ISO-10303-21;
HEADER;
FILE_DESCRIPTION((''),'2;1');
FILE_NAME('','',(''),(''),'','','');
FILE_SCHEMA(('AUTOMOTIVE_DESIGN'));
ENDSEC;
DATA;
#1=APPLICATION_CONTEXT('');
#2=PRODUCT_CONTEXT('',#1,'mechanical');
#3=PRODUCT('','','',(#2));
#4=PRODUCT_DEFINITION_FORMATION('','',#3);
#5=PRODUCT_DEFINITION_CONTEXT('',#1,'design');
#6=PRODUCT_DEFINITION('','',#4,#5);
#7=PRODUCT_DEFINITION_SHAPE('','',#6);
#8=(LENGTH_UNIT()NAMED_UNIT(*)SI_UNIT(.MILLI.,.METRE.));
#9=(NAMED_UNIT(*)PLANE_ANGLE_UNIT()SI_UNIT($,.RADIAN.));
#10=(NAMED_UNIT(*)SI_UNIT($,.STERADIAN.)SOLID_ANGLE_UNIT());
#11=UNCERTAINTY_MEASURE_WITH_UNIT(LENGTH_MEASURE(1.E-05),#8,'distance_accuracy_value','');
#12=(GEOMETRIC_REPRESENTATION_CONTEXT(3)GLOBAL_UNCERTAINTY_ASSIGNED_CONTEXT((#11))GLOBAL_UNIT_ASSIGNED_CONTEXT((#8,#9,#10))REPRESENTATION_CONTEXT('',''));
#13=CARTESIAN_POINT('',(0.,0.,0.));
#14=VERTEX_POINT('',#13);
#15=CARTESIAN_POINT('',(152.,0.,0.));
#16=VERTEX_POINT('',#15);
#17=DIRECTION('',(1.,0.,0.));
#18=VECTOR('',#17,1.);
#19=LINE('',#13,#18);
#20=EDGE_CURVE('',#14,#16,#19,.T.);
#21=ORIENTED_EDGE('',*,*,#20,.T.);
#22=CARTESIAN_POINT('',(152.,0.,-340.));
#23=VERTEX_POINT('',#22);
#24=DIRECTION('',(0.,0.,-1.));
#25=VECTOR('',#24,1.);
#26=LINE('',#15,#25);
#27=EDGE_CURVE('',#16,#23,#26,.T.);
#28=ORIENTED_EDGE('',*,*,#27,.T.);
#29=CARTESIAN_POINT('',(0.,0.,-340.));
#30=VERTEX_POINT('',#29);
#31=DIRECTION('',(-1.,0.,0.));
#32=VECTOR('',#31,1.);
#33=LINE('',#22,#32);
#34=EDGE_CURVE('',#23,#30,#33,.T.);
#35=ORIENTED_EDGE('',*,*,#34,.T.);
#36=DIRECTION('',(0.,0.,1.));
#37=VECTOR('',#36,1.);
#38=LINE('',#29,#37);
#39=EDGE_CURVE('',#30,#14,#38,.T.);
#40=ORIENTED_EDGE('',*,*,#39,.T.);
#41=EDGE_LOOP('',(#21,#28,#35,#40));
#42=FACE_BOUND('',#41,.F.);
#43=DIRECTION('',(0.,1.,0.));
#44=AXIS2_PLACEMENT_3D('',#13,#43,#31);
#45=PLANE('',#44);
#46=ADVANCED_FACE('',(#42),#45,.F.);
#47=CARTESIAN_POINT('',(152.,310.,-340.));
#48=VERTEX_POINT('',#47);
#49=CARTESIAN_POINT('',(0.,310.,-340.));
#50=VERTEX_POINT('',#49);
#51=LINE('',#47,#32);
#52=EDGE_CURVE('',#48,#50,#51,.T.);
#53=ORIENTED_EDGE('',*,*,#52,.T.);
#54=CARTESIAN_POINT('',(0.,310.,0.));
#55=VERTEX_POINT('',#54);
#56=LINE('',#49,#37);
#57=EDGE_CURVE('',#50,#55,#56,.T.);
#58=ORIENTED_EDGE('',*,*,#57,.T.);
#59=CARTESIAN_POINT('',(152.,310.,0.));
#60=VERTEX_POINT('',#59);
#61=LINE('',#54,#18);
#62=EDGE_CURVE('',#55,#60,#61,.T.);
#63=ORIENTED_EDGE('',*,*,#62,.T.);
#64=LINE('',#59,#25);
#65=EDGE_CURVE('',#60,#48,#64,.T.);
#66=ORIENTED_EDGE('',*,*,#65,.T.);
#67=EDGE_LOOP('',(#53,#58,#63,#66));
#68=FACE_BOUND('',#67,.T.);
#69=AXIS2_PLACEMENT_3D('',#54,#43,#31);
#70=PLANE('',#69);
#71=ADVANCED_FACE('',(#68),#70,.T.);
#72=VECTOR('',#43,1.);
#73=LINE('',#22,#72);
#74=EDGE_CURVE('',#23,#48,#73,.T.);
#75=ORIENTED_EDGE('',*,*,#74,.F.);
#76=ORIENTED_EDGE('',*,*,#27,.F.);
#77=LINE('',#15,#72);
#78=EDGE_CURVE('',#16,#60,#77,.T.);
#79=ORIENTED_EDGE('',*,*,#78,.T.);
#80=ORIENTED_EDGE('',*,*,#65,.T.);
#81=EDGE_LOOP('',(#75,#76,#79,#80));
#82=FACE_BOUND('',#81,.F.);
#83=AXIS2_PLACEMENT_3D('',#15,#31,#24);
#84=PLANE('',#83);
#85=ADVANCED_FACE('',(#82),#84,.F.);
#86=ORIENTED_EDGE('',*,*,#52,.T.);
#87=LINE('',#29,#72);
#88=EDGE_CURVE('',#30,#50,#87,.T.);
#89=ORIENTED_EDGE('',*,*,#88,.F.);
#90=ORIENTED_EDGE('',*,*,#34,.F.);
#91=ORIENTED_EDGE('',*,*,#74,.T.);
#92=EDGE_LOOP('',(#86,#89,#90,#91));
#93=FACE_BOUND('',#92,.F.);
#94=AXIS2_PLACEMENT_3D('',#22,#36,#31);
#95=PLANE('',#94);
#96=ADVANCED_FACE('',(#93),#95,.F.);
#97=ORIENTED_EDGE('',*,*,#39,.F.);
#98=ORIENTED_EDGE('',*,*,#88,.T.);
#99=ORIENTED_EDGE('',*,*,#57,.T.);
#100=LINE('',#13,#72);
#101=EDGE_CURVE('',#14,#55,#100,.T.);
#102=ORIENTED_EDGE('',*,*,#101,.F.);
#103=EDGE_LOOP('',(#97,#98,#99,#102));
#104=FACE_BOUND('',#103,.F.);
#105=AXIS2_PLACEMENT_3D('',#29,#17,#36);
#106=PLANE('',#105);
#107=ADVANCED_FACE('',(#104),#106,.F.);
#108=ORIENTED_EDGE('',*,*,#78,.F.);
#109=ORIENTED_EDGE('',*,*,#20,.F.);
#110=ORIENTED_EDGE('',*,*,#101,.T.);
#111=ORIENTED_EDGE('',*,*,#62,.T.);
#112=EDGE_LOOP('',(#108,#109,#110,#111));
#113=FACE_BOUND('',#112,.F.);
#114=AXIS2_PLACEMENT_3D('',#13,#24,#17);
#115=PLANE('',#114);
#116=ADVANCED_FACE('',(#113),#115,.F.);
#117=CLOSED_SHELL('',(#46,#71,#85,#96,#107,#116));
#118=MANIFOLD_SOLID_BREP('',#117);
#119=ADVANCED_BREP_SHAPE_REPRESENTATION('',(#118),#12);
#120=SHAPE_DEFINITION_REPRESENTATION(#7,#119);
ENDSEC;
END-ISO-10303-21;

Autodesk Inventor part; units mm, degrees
ref_plane "YZ Plane" through (0, 0, 0) normal (1, 0, 0) x (0, 1, 0)
ref_plane "XZ Plane" through (0, 0, 0) normal (0, 1, 0) x (-1, 0, 0)
ref_plane "XY Plane" through (0, 0, 0) normal (0, 0, 1) x (1, 0, 0)
sketch "Skizze1" plane through (0, 0, 0) normal (0, 1, 0) x (-1, 0, 0)
  line L0 (0, 0) -> (-152, 0)
  line L1 (-152, 0) -> (-152, -340)
  line L2 (-152, -340) -> (0, -340)
  line L3 (0, -340) -> (0, 0)
  dimension "d0" = 152
  dimension "d1" = 340
extrude "Extrusion1" add sketch "Skizze1" along normal blind 310
properties part number "Akkuboxdummy"
